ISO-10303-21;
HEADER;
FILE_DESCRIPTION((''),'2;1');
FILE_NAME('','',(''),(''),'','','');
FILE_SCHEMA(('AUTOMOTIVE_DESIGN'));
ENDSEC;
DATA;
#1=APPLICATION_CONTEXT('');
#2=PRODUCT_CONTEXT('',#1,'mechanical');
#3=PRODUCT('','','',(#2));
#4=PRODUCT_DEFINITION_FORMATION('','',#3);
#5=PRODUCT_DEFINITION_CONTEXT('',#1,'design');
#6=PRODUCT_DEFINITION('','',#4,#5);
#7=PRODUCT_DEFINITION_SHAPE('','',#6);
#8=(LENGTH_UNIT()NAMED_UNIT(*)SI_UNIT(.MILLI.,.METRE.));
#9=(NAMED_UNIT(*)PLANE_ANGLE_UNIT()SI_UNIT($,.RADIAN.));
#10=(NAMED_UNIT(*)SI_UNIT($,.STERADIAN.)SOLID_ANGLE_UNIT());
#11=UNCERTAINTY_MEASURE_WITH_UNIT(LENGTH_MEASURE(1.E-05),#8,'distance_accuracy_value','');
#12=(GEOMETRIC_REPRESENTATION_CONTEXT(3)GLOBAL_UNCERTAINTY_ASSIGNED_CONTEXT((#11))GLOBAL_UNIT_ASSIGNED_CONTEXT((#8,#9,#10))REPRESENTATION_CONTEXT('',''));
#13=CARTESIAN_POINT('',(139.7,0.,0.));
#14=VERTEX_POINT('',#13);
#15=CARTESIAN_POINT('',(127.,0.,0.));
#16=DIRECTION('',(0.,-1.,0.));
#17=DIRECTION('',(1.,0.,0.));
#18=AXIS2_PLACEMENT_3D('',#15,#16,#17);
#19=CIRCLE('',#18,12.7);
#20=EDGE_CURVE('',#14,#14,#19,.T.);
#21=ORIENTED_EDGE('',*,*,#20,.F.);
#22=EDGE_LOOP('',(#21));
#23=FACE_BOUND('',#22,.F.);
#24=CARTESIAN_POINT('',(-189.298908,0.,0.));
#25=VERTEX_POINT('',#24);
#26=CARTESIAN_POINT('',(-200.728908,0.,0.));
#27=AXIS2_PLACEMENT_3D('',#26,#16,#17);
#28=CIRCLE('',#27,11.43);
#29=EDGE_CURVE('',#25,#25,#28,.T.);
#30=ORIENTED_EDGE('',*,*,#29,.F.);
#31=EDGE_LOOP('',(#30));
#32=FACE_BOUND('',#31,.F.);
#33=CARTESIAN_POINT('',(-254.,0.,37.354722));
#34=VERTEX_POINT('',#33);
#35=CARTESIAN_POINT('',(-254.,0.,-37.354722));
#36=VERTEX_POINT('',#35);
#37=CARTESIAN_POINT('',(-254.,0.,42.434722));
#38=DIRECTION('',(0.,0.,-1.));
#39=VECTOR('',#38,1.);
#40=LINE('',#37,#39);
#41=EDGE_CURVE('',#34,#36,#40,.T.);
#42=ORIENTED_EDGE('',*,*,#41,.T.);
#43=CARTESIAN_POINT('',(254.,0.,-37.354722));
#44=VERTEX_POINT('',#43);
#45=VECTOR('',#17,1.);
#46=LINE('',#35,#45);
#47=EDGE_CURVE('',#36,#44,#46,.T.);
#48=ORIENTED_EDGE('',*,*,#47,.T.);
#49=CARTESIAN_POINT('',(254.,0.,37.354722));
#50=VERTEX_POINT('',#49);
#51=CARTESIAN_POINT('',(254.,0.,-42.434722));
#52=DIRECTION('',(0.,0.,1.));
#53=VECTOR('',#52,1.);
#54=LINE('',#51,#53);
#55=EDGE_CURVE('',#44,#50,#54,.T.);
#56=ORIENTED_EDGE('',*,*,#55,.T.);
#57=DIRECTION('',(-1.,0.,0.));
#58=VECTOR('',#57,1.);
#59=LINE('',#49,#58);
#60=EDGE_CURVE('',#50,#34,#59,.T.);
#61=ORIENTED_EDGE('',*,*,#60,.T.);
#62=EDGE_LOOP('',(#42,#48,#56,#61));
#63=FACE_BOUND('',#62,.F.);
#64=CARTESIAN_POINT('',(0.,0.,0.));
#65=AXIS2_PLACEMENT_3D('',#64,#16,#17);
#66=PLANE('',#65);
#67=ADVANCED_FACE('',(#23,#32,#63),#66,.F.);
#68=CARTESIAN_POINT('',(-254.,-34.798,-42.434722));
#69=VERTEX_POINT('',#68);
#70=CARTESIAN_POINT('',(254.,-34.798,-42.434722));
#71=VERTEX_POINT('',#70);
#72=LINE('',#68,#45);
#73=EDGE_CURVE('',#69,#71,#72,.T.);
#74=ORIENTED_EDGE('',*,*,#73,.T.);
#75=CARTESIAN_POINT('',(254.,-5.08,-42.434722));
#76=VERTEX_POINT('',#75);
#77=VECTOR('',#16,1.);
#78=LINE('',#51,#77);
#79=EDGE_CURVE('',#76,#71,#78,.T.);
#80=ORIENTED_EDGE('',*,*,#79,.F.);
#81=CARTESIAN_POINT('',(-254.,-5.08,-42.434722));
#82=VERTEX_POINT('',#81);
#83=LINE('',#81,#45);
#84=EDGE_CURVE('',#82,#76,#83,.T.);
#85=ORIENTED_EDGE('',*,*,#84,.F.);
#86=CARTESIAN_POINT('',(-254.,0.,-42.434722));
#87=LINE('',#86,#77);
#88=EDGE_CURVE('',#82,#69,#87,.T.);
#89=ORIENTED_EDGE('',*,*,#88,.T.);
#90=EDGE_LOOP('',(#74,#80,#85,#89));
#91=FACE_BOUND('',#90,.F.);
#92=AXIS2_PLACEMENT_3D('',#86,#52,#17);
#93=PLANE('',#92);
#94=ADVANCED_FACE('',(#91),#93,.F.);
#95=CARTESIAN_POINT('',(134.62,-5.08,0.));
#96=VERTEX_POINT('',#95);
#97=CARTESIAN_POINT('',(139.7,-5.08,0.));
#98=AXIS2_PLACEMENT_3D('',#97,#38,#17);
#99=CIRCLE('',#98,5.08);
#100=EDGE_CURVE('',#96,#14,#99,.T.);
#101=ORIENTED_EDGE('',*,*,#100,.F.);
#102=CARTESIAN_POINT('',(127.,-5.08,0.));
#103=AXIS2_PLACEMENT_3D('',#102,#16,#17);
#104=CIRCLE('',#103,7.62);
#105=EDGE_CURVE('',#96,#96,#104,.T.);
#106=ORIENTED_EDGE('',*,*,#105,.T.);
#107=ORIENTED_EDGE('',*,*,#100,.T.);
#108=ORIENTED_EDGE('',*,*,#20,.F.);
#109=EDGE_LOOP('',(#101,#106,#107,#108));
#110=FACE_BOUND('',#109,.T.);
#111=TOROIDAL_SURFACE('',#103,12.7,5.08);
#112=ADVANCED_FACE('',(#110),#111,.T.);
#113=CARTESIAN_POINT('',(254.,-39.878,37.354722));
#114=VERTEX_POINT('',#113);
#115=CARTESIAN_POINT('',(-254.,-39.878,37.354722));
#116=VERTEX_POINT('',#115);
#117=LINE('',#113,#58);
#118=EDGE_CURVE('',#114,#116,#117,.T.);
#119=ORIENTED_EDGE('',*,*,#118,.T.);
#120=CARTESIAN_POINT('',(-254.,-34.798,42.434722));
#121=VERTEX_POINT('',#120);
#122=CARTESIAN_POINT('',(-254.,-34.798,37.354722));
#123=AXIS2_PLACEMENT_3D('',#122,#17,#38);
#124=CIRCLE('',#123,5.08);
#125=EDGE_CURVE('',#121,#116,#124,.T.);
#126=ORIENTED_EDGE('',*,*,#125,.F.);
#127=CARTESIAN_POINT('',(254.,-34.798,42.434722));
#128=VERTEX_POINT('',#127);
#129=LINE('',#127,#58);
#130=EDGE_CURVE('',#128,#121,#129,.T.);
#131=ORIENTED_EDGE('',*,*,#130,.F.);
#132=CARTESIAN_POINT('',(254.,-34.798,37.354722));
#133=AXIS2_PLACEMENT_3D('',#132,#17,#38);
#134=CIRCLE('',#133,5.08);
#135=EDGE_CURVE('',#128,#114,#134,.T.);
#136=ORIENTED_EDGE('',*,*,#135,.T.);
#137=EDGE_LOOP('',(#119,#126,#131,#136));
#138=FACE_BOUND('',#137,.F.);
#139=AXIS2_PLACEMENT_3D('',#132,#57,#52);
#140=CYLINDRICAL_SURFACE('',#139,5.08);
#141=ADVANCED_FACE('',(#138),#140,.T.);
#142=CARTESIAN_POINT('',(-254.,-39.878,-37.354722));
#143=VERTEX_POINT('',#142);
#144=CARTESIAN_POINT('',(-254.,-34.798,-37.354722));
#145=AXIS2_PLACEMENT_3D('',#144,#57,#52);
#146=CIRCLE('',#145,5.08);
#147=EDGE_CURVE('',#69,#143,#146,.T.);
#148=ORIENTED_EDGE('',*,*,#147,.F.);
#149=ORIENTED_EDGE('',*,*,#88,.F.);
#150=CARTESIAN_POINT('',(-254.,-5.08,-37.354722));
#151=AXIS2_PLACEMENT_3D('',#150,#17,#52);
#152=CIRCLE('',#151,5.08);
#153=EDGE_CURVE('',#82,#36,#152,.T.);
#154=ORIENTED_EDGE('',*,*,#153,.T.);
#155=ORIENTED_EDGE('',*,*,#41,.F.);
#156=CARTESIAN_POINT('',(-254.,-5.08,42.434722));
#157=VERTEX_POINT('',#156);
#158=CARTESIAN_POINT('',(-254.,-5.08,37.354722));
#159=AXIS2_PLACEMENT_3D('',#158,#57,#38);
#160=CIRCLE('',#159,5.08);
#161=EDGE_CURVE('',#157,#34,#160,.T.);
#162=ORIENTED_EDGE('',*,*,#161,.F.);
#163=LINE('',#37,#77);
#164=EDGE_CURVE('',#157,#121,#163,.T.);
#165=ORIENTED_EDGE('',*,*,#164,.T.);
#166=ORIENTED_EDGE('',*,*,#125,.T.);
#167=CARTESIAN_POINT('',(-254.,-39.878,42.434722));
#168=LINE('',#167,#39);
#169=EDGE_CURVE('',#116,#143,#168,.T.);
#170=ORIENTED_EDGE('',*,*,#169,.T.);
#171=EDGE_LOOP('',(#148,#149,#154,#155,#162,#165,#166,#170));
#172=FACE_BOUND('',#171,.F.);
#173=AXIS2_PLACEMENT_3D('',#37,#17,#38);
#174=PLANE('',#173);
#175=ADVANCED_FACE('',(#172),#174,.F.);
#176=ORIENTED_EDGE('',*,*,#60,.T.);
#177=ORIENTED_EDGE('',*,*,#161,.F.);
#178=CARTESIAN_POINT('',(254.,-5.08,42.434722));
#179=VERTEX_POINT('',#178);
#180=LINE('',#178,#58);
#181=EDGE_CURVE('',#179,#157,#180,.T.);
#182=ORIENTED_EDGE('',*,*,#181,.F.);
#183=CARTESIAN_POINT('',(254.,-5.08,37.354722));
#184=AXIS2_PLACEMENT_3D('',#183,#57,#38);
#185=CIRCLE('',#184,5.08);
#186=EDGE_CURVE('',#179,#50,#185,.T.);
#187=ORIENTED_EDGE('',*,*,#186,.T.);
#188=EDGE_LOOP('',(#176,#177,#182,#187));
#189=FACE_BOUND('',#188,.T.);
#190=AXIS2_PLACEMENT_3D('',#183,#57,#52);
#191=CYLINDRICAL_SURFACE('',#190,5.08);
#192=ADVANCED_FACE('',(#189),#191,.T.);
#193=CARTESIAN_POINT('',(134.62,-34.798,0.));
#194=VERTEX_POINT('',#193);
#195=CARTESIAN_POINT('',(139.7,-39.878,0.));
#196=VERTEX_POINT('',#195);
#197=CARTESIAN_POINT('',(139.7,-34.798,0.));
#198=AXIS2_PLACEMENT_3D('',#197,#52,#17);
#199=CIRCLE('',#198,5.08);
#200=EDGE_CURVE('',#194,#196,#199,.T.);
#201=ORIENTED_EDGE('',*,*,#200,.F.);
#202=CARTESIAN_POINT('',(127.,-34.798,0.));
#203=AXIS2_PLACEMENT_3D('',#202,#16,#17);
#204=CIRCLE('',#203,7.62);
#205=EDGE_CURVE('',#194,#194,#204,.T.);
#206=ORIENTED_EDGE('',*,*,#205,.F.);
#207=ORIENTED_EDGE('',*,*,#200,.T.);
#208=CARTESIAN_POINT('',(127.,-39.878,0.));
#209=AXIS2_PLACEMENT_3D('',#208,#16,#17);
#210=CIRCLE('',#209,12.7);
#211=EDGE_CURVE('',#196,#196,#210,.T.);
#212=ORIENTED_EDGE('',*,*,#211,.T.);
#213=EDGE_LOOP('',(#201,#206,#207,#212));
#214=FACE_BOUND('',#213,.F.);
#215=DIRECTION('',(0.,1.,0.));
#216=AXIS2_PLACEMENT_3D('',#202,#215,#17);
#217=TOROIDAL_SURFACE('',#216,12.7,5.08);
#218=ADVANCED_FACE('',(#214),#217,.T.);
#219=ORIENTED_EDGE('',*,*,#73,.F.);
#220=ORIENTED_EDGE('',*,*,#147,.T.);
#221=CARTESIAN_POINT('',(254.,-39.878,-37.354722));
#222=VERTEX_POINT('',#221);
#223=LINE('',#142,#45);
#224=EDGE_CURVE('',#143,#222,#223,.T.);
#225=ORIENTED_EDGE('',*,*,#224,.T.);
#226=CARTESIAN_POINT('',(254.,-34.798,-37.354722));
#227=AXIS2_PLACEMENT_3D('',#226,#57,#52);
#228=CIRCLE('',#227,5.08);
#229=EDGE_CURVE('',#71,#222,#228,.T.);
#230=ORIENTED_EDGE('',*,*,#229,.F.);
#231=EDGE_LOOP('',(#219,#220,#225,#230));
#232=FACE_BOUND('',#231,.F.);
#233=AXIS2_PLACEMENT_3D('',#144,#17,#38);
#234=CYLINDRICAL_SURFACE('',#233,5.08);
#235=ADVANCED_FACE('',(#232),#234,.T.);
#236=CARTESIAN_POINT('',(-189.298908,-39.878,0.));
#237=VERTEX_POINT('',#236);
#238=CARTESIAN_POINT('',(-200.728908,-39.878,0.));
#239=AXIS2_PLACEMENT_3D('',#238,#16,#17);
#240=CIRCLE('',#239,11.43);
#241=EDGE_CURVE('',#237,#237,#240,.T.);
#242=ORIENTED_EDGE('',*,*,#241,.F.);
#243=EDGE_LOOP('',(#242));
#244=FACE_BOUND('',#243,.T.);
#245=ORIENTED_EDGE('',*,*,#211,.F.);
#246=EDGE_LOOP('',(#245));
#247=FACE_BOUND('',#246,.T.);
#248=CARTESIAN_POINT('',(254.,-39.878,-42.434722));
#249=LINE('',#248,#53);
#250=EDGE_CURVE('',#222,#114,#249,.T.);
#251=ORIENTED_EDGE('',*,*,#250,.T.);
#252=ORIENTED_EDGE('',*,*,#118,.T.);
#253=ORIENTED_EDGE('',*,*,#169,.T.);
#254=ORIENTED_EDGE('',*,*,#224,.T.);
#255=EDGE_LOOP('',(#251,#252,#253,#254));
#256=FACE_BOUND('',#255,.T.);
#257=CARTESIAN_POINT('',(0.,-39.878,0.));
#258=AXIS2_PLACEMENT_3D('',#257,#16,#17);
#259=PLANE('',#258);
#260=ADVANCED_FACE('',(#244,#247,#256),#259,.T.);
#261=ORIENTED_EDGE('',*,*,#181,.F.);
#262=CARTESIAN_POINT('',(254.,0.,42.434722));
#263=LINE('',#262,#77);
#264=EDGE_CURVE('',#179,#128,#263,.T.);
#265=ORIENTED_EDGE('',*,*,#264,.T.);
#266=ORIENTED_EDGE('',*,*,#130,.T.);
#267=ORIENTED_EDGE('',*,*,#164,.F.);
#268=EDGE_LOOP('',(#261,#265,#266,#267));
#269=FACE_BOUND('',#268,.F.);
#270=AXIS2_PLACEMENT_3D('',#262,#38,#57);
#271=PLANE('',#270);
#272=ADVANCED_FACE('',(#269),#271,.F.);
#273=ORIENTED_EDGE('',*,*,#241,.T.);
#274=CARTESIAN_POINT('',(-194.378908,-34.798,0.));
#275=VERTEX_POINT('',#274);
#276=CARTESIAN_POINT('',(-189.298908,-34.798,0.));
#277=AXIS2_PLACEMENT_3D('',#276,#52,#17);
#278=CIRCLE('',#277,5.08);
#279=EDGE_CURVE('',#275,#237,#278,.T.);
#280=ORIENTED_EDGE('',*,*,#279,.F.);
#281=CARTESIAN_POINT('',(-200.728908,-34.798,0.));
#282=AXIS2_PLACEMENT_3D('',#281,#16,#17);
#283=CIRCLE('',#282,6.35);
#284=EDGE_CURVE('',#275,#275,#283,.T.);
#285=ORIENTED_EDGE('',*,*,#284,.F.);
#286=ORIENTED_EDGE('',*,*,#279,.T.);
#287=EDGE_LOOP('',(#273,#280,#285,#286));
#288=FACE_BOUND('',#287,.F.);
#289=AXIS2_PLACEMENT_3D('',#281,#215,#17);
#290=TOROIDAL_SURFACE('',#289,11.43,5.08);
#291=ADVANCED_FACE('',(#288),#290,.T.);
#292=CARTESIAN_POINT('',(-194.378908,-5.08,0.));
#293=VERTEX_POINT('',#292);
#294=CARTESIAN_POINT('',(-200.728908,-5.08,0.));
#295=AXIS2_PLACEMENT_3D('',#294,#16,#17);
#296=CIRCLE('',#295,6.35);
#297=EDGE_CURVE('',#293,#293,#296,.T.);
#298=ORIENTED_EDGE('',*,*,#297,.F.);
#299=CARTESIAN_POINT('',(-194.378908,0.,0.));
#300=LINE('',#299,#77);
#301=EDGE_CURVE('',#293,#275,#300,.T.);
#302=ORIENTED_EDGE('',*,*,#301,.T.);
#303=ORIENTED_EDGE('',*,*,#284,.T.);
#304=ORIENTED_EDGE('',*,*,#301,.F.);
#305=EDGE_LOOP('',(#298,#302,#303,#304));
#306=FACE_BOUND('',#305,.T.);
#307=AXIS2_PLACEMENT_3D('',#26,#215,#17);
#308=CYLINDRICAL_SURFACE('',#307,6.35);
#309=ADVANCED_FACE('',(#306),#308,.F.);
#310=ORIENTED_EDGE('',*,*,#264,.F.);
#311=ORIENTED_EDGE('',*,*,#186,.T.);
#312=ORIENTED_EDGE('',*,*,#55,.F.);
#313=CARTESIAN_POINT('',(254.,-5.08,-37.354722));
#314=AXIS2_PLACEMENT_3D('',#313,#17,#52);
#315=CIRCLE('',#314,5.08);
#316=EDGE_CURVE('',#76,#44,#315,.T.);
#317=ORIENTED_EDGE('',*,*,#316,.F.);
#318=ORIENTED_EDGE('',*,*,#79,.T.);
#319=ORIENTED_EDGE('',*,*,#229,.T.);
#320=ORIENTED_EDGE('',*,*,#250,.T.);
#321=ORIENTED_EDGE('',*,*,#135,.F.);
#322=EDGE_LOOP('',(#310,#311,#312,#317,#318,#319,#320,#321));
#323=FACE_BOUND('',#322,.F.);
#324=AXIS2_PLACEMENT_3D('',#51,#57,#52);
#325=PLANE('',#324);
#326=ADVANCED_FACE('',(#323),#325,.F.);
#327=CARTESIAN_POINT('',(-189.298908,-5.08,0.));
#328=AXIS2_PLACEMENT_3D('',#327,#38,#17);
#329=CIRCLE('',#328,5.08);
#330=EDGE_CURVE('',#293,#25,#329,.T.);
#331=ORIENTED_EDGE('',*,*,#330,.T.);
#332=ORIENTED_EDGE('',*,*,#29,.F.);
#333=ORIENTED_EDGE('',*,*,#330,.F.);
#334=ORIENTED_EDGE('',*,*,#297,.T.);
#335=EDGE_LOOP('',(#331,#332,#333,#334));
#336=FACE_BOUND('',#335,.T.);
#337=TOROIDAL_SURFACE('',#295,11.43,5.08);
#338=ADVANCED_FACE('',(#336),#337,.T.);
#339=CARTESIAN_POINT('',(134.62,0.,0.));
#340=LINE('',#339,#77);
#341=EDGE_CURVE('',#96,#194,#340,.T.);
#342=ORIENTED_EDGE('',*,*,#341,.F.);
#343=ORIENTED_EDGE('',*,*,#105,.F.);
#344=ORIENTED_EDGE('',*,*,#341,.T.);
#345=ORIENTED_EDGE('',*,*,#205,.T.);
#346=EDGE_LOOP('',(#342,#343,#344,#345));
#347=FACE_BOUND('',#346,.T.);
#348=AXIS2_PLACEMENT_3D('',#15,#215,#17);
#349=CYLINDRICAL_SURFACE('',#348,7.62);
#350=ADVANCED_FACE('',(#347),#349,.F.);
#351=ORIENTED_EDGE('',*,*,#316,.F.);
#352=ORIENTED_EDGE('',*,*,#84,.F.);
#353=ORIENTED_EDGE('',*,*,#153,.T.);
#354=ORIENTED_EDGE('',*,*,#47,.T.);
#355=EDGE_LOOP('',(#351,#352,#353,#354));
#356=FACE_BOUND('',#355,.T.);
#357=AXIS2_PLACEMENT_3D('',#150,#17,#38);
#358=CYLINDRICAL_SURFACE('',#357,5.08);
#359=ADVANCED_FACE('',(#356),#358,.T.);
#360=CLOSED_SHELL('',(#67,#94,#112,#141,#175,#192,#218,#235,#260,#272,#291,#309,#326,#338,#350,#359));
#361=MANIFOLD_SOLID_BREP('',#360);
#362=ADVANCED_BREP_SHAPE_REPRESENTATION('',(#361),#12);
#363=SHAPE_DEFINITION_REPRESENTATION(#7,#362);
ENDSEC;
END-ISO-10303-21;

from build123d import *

# Parameters (mm, degrees)
F0_R     = 6.35
F0_R_2   = 7.62
F1_DEPTH = 39.878
F2_R     = 5.08


with BuildPart() as f1:
    # F0 (on Front) → F1 (new body)
    with BuildSketch(Plane.XZ):
        Polygon((-254, -42.434722), (254, -42.434722), (254, 42.434722), (127, 42.434722), (-200.728908, 42.434722), (-254, 42.434722), align=None)
        with Locations((-200.728908, 0)):
            Circle(F0_R, mode=Mode.SUBTRACT)
        with Locations((127, 0)):
            Circle(F0_R_2, mode=Mode.SUBTRACT)
    extrude(amount=F1_DEPTH)

    # F2
    f2_edges = [f1.edges().sort_by_distance(p)[0] for p in [
        (0, 0, 42.434722),
        (0, 0, -42.434722),
        (119.38, 0, 0),
        (-207.078908, 0, 0),
        (0, -39.878, 42.434722),
        (0, -39.878, -42.434722),
        (-207.078908, -39.878, 0),
        (119.38, -39.878, 0),
    ]]
    fillet(f2_edges, radius=F2_R)


solid = f1.part
